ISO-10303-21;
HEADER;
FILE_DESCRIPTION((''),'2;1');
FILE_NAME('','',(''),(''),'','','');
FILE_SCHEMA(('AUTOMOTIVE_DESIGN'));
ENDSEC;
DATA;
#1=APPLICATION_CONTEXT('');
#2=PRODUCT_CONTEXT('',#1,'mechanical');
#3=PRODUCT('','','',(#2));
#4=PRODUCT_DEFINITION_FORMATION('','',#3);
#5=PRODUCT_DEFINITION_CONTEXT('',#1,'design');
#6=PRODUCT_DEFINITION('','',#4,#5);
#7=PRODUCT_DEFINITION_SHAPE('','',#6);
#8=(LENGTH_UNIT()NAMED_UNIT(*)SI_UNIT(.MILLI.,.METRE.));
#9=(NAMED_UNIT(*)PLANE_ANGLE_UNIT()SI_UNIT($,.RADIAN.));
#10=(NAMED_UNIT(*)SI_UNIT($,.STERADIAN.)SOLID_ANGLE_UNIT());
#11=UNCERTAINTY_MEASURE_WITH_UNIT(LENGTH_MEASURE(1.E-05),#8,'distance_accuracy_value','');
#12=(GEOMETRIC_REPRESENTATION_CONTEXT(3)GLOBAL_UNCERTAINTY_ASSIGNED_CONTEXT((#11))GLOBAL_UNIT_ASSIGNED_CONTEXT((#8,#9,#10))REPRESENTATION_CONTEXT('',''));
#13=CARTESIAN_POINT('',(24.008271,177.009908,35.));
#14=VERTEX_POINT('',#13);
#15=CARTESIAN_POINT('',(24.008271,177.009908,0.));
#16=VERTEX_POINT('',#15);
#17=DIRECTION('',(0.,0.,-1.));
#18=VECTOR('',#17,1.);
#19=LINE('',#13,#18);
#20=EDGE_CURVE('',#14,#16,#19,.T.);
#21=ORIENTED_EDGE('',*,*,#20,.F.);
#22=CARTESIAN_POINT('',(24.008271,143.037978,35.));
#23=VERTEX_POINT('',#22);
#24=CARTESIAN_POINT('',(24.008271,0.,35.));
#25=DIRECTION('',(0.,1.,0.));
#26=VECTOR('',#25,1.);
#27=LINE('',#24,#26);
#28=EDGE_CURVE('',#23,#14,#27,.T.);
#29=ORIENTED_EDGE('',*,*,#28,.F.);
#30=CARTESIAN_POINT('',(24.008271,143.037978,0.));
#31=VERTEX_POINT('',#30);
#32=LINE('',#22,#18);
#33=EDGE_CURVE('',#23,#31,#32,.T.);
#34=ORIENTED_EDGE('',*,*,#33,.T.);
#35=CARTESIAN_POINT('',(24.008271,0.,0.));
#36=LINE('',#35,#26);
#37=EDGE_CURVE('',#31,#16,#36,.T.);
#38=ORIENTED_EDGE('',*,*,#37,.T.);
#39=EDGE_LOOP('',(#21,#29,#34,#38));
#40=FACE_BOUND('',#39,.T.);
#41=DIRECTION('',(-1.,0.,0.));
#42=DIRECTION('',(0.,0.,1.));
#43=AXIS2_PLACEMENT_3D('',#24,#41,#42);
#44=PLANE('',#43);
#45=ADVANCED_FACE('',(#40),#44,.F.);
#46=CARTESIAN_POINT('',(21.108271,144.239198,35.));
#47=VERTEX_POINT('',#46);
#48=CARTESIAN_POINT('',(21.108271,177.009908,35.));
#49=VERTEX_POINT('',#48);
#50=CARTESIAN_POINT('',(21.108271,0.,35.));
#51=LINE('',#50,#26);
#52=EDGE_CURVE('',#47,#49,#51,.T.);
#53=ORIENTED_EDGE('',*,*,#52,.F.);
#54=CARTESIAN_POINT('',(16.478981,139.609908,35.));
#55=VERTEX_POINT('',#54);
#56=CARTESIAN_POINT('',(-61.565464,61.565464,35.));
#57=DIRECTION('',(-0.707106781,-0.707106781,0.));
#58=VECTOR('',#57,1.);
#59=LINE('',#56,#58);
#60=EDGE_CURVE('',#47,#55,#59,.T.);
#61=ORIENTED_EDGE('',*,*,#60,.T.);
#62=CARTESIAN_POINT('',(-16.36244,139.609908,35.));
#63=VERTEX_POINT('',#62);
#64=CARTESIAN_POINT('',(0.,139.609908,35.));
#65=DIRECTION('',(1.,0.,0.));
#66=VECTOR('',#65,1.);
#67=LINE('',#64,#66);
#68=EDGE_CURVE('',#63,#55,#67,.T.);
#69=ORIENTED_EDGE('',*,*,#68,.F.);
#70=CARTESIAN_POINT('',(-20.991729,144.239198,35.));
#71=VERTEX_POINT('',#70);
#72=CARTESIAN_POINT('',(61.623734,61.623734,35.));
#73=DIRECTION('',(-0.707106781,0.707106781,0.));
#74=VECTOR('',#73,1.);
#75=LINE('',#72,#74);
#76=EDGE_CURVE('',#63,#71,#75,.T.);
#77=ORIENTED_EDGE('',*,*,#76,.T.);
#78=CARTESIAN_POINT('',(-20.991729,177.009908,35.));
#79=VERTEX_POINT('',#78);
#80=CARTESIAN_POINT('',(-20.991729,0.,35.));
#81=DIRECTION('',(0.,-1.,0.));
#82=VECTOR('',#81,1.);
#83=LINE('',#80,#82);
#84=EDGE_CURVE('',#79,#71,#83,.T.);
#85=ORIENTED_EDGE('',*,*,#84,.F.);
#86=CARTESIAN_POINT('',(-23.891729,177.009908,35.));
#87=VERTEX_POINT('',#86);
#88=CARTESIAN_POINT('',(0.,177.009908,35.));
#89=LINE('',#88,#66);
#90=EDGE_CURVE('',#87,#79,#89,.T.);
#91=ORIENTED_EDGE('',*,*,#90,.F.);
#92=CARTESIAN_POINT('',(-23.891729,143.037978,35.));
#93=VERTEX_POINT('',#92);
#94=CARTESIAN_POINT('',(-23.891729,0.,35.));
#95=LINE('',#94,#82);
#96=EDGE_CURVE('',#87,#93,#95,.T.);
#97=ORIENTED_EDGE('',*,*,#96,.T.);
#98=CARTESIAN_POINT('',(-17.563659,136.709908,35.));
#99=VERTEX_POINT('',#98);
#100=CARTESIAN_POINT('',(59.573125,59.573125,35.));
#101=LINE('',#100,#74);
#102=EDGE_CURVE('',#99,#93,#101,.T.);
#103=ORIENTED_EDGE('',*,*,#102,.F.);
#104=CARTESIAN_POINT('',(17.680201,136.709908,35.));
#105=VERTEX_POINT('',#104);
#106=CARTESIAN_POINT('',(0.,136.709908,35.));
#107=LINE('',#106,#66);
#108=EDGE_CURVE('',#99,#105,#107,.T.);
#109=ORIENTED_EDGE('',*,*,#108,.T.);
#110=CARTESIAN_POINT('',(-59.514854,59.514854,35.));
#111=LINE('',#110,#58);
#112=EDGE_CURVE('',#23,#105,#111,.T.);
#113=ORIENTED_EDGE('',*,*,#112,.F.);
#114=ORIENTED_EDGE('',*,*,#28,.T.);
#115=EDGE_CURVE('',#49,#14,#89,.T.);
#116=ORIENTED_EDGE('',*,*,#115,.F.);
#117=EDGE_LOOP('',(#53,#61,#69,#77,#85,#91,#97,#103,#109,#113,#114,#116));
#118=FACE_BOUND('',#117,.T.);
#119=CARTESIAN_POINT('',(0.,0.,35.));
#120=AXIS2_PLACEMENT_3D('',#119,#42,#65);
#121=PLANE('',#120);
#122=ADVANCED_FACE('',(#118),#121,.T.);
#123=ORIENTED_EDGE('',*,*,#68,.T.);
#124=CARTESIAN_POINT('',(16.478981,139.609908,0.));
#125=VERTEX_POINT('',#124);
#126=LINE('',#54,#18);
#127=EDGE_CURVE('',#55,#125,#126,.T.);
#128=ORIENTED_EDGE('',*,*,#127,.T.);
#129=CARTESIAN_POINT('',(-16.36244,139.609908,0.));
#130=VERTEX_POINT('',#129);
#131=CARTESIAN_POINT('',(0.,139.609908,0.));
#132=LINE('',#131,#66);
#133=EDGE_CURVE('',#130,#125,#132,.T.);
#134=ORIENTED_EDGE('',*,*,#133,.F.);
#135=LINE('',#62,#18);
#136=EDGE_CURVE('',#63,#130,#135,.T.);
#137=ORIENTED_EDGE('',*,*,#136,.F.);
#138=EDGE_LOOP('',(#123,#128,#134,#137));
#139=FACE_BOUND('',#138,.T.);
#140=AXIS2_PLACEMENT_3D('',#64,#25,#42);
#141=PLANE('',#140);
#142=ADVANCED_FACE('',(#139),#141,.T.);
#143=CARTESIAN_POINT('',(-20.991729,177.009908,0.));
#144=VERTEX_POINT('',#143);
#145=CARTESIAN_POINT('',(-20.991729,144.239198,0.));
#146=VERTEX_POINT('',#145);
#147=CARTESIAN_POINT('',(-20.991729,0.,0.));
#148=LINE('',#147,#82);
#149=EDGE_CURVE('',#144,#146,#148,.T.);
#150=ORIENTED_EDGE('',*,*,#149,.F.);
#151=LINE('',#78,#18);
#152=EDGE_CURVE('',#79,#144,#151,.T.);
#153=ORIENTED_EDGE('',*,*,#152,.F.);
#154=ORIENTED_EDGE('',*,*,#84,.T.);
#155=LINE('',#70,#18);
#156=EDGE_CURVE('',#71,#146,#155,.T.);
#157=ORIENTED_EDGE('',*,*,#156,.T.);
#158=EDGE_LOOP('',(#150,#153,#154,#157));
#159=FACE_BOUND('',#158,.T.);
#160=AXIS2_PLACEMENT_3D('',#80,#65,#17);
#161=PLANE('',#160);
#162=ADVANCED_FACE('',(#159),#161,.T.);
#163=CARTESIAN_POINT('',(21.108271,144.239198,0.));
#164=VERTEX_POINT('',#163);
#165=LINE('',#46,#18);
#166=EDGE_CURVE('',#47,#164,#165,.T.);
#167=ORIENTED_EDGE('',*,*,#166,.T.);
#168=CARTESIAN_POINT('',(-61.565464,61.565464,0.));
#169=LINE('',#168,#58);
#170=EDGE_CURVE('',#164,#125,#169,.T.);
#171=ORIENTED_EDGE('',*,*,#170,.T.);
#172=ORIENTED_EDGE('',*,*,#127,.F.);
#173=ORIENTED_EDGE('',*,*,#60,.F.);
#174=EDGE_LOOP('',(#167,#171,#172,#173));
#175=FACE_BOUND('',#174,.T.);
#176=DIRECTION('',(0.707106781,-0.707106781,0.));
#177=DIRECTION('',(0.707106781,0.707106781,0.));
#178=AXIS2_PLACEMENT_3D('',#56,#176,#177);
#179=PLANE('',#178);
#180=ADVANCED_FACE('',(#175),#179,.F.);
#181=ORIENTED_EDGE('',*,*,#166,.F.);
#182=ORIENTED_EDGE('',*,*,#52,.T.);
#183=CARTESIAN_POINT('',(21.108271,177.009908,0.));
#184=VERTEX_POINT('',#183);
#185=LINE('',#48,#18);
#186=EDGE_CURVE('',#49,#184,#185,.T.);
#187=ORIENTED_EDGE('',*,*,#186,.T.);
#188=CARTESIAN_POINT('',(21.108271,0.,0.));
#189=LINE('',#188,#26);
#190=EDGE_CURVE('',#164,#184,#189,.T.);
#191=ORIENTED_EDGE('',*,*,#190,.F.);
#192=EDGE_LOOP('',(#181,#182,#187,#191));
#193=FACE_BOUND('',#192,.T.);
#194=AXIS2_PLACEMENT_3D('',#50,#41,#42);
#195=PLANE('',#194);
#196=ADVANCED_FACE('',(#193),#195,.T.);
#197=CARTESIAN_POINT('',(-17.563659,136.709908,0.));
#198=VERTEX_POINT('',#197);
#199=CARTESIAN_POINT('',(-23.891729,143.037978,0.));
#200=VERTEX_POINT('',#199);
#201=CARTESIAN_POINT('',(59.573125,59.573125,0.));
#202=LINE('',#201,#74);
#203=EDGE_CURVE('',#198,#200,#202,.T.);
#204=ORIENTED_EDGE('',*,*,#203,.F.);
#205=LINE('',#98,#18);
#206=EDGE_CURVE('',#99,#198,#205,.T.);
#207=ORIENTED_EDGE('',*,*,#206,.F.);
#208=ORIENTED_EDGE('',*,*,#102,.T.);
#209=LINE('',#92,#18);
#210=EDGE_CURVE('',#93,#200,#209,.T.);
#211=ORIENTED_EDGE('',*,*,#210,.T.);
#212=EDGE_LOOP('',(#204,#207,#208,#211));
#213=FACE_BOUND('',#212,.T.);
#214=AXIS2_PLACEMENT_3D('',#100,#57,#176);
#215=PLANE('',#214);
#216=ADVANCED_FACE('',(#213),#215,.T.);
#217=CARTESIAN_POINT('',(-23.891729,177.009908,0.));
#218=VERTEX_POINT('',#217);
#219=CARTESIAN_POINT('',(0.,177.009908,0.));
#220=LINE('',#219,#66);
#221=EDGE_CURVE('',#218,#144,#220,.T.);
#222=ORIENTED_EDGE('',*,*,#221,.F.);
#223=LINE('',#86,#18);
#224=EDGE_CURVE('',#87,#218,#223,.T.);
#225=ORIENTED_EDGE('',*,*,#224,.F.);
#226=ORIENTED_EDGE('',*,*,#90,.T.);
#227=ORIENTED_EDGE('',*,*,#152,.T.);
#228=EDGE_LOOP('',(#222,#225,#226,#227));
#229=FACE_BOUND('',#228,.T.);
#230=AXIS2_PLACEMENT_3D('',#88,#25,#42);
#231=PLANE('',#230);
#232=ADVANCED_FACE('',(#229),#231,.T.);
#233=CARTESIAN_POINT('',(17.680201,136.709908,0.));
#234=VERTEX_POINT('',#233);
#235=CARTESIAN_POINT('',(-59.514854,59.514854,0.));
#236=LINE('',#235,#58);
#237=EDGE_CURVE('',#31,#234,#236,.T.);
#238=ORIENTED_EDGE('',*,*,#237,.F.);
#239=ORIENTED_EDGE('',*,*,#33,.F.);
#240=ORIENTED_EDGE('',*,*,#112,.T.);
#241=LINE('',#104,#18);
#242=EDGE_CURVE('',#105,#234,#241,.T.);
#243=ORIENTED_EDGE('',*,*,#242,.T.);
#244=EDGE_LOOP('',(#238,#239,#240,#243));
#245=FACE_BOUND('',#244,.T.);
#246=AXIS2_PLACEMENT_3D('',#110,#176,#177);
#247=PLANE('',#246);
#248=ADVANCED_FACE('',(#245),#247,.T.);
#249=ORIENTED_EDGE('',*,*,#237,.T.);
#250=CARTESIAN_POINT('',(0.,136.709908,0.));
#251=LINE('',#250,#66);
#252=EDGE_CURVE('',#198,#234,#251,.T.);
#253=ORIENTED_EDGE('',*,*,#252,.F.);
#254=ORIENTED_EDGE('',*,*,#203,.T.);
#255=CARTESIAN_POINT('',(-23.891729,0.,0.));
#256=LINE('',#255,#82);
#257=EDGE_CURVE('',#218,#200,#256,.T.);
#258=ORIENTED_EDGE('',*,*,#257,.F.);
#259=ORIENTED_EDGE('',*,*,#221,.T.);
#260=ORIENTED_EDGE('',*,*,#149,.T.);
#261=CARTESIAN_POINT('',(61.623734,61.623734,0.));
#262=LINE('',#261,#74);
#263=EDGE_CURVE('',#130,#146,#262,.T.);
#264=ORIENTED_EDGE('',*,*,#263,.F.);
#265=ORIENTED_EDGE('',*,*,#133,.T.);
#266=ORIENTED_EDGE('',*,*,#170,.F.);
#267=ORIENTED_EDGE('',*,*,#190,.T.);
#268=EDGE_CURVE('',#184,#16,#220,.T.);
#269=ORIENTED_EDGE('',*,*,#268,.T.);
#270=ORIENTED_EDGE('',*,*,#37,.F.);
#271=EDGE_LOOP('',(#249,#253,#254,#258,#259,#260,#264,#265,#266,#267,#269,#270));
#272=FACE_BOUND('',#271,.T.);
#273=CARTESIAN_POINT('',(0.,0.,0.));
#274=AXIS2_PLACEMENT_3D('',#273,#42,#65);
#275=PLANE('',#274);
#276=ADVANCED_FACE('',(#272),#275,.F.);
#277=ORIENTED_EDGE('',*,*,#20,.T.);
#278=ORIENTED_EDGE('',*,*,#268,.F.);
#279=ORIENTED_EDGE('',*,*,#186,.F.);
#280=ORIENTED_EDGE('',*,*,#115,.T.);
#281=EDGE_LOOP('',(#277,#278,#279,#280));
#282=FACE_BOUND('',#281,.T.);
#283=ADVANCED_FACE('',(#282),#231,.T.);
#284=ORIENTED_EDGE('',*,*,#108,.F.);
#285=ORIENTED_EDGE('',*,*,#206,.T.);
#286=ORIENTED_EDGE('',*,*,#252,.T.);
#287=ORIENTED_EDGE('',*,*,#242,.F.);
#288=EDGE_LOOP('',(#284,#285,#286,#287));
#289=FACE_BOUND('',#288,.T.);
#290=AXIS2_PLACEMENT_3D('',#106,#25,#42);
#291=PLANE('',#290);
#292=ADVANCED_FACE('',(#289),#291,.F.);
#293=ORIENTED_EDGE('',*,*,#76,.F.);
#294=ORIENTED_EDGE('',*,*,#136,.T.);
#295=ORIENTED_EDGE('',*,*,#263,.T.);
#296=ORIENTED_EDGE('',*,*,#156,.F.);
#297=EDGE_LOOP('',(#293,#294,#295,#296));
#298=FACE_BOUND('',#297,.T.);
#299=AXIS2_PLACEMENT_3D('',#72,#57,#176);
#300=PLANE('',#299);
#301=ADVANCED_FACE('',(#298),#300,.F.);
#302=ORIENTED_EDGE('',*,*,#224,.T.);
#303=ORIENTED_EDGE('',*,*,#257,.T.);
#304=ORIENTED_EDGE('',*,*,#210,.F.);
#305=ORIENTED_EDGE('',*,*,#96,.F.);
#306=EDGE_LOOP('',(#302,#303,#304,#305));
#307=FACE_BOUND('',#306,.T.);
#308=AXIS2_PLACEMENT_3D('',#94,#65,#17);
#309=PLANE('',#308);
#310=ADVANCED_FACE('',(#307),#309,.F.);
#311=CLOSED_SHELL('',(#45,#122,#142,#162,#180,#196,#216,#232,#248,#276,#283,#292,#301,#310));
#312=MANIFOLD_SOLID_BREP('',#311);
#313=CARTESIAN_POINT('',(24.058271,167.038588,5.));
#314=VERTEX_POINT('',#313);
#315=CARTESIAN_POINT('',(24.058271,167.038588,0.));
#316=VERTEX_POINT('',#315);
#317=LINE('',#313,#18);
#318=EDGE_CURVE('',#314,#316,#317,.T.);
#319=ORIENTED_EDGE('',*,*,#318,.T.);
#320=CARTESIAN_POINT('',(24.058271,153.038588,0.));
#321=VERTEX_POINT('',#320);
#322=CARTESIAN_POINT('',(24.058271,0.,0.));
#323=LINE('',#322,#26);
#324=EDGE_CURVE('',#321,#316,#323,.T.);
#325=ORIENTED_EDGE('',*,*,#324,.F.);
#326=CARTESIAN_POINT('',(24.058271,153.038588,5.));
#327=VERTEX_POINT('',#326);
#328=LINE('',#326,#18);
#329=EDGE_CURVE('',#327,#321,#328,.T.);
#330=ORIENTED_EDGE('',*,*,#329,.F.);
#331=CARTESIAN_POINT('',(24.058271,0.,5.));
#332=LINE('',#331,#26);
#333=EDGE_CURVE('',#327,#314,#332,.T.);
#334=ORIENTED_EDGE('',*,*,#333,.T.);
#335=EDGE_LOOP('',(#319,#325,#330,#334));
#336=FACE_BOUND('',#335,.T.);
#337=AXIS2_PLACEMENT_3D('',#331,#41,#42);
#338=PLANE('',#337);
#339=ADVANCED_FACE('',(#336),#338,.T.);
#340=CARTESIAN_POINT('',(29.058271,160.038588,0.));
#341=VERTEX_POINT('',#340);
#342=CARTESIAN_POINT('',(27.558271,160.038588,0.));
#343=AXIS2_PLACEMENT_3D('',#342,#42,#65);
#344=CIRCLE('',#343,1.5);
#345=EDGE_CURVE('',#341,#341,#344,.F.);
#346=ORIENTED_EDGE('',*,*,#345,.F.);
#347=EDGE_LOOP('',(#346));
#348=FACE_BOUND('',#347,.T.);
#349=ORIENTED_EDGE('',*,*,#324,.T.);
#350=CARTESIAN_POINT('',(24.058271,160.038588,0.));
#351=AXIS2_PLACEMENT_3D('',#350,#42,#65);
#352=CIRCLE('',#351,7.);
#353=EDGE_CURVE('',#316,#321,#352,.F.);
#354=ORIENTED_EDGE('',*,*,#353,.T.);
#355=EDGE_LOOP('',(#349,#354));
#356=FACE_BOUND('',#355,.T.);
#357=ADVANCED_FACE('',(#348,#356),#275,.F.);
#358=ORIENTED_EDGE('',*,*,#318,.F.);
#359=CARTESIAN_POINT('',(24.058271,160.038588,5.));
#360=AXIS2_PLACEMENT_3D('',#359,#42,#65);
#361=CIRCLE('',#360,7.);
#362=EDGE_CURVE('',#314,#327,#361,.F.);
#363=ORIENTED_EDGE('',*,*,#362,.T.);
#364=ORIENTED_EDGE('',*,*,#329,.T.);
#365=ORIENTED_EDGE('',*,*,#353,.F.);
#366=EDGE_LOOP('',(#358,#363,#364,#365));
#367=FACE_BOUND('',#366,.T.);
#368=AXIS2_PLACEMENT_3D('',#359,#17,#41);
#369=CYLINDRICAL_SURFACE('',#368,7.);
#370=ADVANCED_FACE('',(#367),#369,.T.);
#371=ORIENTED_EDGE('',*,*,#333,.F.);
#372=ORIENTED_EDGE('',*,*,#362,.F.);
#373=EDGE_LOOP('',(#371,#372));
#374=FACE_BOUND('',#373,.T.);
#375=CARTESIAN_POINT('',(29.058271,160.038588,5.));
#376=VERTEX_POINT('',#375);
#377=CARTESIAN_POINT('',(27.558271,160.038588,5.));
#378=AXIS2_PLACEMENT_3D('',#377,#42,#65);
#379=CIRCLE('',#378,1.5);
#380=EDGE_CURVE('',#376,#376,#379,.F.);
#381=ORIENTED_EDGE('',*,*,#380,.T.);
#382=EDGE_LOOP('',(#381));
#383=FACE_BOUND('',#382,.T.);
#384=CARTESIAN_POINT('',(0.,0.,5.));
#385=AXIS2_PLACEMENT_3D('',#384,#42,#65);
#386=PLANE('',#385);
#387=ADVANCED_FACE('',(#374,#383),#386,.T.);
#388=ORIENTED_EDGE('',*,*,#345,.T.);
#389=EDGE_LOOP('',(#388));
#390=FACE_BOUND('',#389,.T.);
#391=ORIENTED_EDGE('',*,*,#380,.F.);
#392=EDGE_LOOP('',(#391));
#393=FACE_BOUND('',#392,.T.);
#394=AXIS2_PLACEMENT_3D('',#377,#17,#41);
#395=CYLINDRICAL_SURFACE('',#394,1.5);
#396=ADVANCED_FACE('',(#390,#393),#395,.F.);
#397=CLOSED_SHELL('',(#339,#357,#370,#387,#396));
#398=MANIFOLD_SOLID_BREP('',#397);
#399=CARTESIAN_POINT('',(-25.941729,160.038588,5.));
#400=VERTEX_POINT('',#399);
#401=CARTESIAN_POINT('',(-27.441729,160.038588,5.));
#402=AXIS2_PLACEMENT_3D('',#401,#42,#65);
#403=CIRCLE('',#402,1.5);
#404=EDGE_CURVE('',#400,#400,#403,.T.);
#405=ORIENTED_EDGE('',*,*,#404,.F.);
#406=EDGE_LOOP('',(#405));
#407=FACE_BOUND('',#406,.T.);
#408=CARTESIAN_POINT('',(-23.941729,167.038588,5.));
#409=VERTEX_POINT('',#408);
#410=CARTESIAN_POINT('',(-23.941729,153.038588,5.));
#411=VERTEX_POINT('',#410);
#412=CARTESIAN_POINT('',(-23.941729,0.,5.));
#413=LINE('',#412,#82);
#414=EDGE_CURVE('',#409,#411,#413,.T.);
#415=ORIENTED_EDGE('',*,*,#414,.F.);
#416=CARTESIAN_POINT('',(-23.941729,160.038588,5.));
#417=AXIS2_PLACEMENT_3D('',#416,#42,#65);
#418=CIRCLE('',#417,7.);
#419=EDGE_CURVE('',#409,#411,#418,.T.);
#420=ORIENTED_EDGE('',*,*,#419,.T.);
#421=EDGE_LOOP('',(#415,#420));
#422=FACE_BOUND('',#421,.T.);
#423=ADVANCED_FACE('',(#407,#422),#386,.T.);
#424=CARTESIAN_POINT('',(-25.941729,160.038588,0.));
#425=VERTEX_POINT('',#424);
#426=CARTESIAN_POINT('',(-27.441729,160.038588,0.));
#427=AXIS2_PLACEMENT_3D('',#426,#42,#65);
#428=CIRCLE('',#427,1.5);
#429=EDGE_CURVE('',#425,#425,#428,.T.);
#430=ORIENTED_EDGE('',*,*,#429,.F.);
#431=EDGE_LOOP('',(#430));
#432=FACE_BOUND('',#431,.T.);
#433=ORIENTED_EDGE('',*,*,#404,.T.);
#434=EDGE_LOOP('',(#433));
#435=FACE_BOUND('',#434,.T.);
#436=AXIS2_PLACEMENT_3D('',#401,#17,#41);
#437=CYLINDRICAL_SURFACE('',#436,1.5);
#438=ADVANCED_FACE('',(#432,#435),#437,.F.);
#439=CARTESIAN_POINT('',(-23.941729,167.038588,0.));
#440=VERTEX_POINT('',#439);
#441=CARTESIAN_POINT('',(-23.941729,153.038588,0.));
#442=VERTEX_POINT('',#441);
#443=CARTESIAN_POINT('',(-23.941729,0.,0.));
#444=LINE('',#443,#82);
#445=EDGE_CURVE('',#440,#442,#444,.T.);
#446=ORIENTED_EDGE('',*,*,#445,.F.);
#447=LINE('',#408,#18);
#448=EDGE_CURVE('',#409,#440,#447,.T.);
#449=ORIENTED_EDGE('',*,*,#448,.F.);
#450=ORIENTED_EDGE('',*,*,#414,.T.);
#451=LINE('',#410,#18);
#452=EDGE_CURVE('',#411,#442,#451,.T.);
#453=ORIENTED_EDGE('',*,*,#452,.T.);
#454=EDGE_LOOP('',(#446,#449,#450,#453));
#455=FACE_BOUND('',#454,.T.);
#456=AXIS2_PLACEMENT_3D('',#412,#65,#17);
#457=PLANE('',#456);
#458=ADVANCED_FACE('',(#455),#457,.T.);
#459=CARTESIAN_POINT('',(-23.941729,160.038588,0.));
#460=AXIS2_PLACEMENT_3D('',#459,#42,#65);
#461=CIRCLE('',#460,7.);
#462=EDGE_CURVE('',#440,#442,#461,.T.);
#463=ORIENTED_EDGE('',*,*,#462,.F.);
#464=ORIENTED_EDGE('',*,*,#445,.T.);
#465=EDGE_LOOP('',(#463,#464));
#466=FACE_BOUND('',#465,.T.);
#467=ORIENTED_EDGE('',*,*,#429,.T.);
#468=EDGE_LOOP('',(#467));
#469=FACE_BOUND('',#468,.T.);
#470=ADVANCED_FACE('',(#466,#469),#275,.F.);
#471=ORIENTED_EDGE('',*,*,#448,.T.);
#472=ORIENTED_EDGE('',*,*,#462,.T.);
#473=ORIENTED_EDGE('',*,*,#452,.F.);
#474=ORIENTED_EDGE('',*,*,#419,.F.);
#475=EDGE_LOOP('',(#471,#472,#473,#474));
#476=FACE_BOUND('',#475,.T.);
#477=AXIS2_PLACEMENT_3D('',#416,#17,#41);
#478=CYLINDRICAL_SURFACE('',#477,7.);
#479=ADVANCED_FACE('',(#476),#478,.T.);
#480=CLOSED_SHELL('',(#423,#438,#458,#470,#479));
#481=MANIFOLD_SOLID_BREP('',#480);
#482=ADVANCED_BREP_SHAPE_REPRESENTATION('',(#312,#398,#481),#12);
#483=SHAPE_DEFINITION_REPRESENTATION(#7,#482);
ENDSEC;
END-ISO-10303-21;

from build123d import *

# Parameters (mm, degrees)
BOSS_EXTRUDE1_DEPTH   = 35
SKETCH2_R             = 1.5
BOSS_EXTRUDE2_DEPTH   = 5
BOSS_EXTRUDE2_2_DEPTH = 5


with BuildPart() as part:
    # Sketch1 → Boss-Extrude1 (new body)
    with BuildSketch(Plane.XY):
        Polygon((21.10827062, 144.239197751), (21.10827062, 177.00990843), (24.00827062, 177.00990843), (24.00827062, 143.037978421), (17.68020063, 136.70990843), (-17.563659389, 136.70990843), (-23.89172938, 143.037978421), (-23.89172938, 177.00990843), (-20.99172938, 177.00990843), (-20.99172938, 144.239197751), (-16.362440058, 139.60990843), (16.478981299, 139.60990843), align=None)
    extrude(amount=BOSS_EXTRUDE1_DEPTH)


with BuildPart() as body_2:
    # Sketch2 → Boss-Extrude2 (new body)
    with BuildSketch(Plane.XY):
        with BuildLine():
            ThreePointArc((24.05827062, 167.038588086), (31.05827062, 160.038588086), (24.05827062, 153.038588086))
            Line((24.05827062, 153.038588086), (24.05827062, 167.038588086))
        make_face()
        with Locations((27.55827062, 160.038588086)):
            Circle(SKETCH2_R, mode=Mode.SUBTRACT)
    extrude(amount=BOSS_EXTRUDE2_DEPTH)


with BuildPart() as body_3:
    # Sketch2 → Boss-Extrude2 2 (new body)
    with BuildSketch(Plane.XY):
        with BuildLine():
            Line((-23.94172938, 167.038588086), (-23.94172938, 153.038588086))
            ThreePointArc((-23.94172938, 153.038588086), (-30.94172938, 160.038588086), (-23.94172938, 167.038588086))
        make_face()
        with Locations((-27.44172938, 160.038588086)):
            Circle(SKETCH2_R, mode=Mode.SUBTRACT)
    extrude(amount=BOSS_EXTRUDE2_2_DEPTH)


solid = Compound([part.part, body_2.part, body_3.part])
